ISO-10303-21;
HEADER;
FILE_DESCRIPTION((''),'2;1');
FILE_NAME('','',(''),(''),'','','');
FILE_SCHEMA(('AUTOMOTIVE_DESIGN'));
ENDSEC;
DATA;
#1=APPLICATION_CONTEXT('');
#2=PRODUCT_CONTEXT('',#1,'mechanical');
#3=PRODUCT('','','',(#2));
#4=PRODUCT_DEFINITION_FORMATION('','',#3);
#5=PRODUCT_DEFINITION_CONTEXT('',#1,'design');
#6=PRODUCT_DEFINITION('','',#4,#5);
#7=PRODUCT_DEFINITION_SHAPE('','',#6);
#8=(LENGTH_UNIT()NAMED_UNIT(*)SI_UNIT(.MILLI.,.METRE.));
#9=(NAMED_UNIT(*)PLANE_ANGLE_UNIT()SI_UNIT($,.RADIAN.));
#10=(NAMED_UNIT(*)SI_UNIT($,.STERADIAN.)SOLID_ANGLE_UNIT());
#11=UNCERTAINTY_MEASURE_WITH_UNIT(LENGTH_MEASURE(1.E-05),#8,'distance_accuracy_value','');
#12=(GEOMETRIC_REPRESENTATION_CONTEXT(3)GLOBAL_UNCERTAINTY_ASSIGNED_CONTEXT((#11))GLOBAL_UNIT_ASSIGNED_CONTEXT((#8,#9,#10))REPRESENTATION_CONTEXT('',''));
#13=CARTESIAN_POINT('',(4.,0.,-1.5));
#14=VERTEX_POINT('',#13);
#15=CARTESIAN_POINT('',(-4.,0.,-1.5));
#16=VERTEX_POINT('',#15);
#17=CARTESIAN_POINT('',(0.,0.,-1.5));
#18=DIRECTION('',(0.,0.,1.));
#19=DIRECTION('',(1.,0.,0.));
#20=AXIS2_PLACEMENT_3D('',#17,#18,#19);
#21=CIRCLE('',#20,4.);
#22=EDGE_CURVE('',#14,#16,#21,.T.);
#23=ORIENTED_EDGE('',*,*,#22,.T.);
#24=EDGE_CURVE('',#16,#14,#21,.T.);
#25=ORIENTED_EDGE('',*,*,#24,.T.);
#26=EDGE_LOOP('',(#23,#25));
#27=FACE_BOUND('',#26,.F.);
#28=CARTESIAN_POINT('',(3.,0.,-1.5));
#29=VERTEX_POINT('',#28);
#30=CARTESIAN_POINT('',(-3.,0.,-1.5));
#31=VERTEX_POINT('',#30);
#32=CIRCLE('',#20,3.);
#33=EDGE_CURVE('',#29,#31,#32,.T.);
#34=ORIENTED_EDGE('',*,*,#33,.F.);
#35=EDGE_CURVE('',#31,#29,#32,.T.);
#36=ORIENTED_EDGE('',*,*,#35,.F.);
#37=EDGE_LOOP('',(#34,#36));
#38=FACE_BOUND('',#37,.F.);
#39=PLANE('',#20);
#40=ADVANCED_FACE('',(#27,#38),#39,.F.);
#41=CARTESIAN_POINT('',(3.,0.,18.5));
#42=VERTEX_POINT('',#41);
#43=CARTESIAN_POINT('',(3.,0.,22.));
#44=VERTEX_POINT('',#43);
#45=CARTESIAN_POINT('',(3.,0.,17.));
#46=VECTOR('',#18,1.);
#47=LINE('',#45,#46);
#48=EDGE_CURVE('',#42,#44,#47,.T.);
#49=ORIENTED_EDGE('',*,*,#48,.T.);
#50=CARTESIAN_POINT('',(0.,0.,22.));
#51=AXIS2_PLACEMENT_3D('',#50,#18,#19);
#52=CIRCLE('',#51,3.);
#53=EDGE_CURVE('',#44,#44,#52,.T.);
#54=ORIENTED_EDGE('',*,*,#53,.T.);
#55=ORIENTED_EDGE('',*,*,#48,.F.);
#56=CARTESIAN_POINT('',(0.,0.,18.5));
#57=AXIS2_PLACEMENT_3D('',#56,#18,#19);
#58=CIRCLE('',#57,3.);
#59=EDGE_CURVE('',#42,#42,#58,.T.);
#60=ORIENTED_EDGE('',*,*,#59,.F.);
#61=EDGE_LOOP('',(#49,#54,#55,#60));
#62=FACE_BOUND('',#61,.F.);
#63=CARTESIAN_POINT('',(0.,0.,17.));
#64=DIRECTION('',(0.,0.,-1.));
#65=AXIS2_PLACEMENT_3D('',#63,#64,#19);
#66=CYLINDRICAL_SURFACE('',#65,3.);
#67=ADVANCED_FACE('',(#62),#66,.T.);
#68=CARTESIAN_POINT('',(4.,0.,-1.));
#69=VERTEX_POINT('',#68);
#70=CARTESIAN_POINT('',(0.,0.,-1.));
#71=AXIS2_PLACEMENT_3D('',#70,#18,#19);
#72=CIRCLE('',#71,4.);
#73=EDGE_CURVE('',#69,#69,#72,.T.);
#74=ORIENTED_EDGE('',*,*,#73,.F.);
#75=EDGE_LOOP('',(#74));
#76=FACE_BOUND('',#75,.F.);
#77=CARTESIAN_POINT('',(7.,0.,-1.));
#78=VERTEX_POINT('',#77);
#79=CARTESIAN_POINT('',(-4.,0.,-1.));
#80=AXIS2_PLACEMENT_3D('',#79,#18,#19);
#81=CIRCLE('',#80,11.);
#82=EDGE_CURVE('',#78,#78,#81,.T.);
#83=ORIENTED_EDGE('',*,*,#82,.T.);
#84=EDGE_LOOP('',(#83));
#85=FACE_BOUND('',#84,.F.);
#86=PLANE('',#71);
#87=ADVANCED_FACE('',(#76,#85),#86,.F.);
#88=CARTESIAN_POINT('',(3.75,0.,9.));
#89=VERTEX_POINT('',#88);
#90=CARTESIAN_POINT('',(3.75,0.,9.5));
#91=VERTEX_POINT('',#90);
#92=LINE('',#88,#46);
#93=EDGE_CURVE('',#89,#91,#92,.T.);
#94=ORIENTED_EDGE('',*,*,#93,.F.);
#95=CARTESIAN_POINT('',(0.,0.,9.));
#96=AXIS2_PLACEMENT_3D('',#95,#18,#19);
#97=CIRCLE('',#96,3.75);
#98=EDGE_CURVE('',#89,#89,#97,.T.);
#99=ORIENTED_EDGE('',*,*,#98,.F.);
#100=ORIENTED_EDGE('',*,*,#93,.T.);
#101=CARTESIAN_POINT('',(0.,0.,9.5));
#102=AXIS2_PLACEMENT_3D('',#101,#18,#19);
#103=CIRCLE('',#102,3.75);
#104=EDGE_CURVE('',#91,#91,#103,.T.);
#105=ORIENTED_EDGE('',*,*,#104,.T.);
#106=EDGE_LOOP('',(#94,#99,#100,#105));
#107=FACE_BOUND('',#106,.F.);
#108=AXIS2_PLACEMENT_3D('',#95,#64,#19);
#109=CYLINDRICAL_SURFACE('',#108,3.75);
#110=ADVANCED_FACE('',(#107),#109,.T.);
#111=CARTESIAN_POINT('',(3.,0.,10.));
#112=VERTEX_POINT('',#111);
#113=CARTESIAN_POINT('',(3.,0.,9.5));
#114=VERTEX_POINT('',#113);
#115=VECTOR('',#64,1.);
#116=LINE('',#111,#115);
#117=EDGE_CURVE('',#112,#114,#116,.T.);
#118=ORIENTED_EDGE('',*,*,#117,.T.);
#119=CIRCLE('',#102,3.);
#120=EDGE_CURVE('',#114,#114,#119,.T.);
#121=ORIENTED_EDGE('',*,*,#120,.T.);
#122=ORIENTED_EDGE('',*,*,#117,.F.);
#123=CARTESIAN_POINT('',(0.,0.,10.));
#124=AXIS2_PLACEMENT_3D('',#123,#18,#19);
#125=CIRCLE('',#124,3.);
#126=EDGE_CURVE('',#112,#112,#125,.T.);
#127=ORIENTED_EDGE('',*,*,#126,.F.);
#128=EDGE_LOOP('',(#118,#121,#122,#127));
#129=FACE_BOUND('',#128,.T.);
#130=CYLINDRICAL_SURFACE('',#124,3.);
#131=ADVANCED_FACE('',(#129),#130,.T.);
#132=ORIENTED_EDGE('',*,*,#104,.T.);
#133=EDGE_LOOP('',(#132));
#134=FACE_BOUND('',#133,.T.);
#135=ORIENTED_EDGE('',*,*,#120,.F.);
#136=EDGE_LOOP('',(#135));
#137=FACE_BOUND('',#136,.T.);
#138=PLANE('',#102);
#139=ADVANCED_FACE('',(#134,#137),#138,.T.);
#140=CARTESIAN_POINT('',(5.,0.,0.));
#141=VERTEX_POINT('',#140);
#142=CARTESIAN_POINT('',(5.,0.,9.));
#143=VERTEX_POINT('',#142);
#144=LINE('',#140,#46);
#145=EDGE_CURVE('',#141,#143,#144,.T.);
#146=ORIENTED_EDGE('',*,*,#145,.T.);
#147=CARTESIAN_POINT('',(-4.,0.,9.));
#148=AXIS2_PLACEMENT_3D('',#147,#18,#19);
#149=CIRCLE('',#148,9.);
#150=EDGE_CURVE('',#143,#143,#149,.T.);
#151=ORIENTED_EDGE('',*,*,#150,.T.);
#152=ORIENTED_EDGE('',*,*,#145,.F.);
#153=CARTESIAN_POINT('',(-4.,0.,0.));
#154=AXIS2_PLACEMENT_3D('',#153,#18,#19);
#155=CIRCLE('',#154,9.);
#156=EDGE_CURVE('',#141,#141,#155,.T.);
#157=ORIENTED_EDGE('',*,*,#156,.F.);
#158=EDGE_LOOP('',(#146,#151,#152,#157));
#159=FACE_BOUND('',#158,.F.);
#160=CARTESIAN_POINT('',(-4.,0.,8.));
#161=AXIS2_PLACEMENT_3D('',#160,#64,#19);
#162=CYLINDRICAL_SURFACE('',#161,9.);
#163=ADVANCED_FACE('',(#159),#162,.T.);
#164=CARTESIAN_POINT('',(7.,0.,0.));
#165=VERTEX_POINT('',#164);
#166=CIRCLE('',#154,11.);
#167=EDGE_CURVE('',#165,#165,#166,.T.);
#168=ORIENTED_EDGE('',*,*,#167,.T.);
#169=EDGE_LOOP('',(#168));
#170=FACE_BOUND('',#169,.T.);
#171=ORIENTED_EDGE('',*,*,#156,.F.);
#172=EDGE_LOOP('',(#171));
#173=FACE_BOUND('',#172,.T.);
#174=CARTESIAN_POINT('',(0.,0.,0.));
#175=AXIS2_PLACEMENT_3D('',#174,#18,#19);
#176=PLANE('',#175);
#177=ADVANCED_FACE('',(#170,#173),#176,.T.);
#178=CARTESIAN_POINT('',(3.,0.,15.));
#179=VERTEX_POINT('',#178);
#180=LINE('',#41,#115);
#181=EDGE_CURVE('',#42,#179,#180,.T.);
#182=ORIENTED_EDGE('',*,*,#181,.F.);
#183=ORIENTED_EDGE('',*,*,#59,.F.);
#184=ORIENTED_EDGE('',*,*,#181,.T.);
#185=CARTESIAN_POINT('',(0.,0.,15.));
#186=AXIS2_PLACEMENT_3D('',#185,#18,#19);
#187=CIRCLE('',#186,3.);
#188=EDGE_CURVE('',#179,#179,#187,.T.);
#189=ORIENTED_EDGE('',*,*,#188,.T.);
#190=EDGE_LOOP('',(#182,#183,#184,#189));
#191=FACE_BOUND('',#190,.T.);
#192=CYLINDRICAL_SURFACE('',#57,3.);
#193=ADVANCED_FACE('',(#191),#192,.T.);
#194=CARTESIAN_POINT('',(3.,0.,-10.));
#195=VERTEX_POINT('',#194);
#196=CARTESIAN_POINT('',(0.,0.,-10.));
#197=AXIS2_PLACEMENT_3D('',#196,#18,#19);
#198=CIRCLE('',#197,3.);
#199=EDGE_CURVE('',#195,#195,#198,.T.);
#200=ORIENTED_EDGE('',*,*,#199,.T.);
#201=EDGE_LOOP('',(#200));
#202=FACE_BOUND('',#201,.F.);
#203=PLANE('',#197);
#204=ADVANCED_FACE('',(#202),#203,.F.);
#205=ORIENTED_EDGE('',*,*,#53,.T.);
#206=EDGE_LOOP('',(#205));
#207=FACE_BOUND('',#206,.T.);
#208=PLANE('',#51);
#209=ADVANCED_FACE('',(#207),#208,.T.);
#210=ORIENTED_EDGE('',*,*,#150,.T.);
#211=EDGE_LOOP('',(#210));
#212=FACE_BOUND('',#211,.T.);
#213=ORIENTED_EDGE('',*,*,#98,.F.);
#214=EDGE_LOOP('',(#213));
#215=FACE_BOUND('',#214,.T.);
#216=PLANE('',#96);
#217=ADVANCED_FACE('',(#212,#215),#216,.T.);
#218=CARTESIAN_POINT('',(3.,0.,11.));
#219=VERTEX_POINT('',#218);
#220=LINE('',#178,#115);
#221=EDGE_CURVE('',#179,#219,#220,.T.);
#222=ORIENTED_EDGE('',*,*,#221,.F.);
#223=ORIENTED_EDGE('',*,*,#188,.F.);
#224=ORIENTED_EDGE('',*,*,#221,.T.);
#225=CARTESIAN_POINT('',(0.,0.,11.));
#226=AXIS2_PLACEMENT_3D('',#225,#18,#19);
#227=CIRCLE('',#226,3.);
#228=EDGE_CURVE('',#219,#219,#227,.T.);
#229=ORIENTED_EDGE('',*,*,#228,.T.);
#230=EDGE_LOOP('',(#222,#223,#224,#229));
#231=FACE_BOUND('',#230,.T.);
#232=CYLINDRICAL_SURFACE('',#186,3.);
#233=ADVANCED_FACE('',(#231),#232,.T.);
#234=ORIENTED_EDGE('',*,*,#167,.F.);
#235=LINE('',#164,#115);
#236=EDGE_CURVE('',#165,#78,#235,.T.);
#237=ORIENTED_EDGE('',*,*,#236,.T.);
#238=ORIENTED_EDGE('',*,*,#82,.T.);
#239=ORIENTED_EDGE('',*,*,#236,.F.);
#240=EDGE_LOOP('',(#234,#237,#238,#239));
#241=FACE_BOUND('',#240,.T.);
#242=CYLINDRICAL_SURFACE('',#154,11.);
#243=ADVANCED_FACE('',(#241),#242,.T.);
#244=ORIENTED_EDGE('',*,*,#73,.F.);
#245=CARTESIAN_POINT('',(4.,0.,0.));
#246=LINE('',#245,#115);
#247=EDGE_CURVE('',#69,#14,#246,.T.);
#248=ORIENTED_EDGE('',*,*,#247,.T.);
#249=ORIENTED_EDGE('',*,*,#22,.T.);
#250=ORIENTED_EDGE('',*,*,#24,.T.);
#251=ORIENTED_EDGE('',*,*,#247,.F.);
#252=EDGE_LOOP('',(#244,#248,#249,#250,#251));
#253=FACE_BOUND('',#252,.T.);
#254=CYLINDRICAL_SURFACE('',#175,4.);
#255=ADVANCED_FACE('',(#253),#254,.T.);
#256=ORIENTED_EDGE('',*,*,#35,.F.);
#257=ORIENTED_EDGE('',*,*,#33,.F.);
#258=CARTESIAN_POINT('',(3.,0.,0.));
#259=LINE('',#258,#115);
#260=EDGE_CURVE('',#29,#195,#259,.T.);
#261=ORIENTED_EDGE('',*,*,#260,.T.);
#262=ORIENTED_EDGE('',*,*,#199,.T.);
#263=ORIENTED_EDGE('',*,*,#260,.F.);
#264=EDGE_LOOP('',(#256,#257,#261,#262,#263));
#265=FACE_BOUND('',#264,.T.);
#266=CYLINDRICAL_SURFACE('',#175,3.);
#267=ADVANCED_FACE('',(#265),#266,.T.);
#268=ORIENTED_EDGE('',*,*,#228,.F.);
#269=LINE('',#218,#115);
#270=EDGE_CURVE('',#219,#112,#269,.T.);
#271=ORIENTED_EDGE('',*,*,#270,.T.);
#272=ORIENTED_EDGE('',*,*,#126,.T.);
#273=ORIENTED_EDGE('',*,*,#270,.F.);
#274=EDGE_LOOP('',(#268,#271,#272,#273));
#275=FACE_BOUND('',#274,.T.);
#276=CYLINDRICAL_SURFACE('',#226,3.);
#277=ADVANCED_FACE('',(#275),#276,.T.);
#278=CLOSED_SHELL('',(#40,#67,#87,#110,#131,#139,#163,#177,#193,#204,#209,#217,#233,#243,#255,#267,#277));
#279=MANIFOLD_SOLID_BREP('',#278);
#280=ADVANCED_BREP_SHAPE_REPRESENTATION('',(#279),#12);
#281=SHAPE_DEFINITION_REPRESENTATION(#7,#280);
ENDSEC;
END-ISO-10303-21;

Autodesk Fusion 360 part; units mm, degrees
sketch "スケッチ1" plane through (0, 0, 0) normal (0, 0, 1) x (1, 0, 0)
  circle A0 centre (0, 0) radius 3
  line L0 (0, 0) -> (-4, 0)
  circle A1 centre (-4, 0) radius 9
  circle A2 centre (0, 0) radius 4
  dimension "d1" = 6
  dimension "d2" = 4
  dimension "d3" = 18
  dimension "d14" = 8
extrude "押し出し1" add sketch "スケッチ1" against normal blind 10 contours A0
extrude "押し出し2" add sketch "スケッチ1" along normal blind 17 contours A0 | A2 | A1
sketch "スケッチ2" plane through (0, 0, 17) normal (0, 0, 1) x (1, 0, 0)
  circle A0 centre (-4, 0) radius 9
  circle A1 centre (0, 0) radius 3
  circle A2 centre (0, 0) radius 4
  dimension "d8" = 6
  dimension "d11" = 8
extrude "押し出し3" add sketch "スケッチ2" along normal blind 10 contours A1
extrude "押し出し4" add sketch "スケッチ2" along normal blind 1.5 contours A2
extrude "押し出し5" add sketch "スケッチ1" against normal blind 1.5 contours A2
extrude "押し出し6" cut sketch "スケッチ2" against normal blind 5 contours A0
extrude "押し出し7" cut 1 faces at (3.6406, -0.3478, 18.5) along direction (0, 0, -1) blind 5
extrude "押し出し8" cut 1 faces at (-9.9665, 0.4471, 12) along direction (0, 0, -1) blind 3.5
extrude "押し出し9" cut 1 faces at (3.6406, -0.3478, 13.5) along direction (0, 0, -1) blind 3.5
extrude "押し出し10" cut 1 faces at (0.3505, -0.866, 27) along direction (0, 0, -1) blind 5
extrude "押し出し11" add 1 faces at (3.6406, -0.3478, 10) along direction (0, 0, 1) blind 5
extrude "押し出し12" cut 1 faces at (-9.9665, 0.4471, 8.5) along direction (0, 0, -1) blind 1.5
extrude "押し出し13" add 1 faces at (-9.9665, 0.4471, 7) along direction (0, 0, 1) blind 1
extrude "押し出し14" cut 1 faces at (3.6406, -0.3478, 15) along direction (0, 0, -1) blind 6.5
extrude "押し出し15" add 1 faces at (3.6406, -0.3478, 8.5) along direction (0, 0, 1) blind 0.5
extrude "押し出し16" cut 1 faces at (3.6406, -0.3478, 9) along direction (0, 0, -1) blind 0.5
extrude "押し出し17" add 1 faces at (3.6406, -0.3478, 8.5) along direction (0, 0, 1) blind 0.5
sketch "スケッチ3" plane through (0, 0, 0) normal (0, 0, 1) x (1, 0, 0)
  circle A0 centre (-4, 0) radius 11
  circle A1 centre (-4, 0) radius 9
  dimension "d41" = 22
extrude "押し出し18" add sketch "スケッチ3" against normal blind 1 contours A0 | A1
extrude "押し出し19" add 1 faces at (3.6406, -0.3478, 9) along direction (0, 0, 1) blind 2
extrude "押し出し20" add 1 faces at (-9.9665, 0.4471, 8) along direction (0, 0, 1) blind 2
extrude "押し出し21" cut 1 faces at (3.6406, -0.3478, 11) along direction (0, 0, -1) blind 1
extrude "押し出し22" cut 1 faces at (-9.6332, 0.4471, 10) along direction (0, 0, -1) blind 1
sketch "スケッチ4" plane through (0, 0, 9) normal (0, 0, 1) x (1, 0, 0)
  circle A0 centre (0, 0) radius 3
  circle A1 centre (-4, 0) radius 9
  circle A2 centre (0, 0) radius 3.75
  dimension "d52" = 7.5
extrude "押し出し23" add sketch "スケッチ4" along normal blind 0.5 contours A2
